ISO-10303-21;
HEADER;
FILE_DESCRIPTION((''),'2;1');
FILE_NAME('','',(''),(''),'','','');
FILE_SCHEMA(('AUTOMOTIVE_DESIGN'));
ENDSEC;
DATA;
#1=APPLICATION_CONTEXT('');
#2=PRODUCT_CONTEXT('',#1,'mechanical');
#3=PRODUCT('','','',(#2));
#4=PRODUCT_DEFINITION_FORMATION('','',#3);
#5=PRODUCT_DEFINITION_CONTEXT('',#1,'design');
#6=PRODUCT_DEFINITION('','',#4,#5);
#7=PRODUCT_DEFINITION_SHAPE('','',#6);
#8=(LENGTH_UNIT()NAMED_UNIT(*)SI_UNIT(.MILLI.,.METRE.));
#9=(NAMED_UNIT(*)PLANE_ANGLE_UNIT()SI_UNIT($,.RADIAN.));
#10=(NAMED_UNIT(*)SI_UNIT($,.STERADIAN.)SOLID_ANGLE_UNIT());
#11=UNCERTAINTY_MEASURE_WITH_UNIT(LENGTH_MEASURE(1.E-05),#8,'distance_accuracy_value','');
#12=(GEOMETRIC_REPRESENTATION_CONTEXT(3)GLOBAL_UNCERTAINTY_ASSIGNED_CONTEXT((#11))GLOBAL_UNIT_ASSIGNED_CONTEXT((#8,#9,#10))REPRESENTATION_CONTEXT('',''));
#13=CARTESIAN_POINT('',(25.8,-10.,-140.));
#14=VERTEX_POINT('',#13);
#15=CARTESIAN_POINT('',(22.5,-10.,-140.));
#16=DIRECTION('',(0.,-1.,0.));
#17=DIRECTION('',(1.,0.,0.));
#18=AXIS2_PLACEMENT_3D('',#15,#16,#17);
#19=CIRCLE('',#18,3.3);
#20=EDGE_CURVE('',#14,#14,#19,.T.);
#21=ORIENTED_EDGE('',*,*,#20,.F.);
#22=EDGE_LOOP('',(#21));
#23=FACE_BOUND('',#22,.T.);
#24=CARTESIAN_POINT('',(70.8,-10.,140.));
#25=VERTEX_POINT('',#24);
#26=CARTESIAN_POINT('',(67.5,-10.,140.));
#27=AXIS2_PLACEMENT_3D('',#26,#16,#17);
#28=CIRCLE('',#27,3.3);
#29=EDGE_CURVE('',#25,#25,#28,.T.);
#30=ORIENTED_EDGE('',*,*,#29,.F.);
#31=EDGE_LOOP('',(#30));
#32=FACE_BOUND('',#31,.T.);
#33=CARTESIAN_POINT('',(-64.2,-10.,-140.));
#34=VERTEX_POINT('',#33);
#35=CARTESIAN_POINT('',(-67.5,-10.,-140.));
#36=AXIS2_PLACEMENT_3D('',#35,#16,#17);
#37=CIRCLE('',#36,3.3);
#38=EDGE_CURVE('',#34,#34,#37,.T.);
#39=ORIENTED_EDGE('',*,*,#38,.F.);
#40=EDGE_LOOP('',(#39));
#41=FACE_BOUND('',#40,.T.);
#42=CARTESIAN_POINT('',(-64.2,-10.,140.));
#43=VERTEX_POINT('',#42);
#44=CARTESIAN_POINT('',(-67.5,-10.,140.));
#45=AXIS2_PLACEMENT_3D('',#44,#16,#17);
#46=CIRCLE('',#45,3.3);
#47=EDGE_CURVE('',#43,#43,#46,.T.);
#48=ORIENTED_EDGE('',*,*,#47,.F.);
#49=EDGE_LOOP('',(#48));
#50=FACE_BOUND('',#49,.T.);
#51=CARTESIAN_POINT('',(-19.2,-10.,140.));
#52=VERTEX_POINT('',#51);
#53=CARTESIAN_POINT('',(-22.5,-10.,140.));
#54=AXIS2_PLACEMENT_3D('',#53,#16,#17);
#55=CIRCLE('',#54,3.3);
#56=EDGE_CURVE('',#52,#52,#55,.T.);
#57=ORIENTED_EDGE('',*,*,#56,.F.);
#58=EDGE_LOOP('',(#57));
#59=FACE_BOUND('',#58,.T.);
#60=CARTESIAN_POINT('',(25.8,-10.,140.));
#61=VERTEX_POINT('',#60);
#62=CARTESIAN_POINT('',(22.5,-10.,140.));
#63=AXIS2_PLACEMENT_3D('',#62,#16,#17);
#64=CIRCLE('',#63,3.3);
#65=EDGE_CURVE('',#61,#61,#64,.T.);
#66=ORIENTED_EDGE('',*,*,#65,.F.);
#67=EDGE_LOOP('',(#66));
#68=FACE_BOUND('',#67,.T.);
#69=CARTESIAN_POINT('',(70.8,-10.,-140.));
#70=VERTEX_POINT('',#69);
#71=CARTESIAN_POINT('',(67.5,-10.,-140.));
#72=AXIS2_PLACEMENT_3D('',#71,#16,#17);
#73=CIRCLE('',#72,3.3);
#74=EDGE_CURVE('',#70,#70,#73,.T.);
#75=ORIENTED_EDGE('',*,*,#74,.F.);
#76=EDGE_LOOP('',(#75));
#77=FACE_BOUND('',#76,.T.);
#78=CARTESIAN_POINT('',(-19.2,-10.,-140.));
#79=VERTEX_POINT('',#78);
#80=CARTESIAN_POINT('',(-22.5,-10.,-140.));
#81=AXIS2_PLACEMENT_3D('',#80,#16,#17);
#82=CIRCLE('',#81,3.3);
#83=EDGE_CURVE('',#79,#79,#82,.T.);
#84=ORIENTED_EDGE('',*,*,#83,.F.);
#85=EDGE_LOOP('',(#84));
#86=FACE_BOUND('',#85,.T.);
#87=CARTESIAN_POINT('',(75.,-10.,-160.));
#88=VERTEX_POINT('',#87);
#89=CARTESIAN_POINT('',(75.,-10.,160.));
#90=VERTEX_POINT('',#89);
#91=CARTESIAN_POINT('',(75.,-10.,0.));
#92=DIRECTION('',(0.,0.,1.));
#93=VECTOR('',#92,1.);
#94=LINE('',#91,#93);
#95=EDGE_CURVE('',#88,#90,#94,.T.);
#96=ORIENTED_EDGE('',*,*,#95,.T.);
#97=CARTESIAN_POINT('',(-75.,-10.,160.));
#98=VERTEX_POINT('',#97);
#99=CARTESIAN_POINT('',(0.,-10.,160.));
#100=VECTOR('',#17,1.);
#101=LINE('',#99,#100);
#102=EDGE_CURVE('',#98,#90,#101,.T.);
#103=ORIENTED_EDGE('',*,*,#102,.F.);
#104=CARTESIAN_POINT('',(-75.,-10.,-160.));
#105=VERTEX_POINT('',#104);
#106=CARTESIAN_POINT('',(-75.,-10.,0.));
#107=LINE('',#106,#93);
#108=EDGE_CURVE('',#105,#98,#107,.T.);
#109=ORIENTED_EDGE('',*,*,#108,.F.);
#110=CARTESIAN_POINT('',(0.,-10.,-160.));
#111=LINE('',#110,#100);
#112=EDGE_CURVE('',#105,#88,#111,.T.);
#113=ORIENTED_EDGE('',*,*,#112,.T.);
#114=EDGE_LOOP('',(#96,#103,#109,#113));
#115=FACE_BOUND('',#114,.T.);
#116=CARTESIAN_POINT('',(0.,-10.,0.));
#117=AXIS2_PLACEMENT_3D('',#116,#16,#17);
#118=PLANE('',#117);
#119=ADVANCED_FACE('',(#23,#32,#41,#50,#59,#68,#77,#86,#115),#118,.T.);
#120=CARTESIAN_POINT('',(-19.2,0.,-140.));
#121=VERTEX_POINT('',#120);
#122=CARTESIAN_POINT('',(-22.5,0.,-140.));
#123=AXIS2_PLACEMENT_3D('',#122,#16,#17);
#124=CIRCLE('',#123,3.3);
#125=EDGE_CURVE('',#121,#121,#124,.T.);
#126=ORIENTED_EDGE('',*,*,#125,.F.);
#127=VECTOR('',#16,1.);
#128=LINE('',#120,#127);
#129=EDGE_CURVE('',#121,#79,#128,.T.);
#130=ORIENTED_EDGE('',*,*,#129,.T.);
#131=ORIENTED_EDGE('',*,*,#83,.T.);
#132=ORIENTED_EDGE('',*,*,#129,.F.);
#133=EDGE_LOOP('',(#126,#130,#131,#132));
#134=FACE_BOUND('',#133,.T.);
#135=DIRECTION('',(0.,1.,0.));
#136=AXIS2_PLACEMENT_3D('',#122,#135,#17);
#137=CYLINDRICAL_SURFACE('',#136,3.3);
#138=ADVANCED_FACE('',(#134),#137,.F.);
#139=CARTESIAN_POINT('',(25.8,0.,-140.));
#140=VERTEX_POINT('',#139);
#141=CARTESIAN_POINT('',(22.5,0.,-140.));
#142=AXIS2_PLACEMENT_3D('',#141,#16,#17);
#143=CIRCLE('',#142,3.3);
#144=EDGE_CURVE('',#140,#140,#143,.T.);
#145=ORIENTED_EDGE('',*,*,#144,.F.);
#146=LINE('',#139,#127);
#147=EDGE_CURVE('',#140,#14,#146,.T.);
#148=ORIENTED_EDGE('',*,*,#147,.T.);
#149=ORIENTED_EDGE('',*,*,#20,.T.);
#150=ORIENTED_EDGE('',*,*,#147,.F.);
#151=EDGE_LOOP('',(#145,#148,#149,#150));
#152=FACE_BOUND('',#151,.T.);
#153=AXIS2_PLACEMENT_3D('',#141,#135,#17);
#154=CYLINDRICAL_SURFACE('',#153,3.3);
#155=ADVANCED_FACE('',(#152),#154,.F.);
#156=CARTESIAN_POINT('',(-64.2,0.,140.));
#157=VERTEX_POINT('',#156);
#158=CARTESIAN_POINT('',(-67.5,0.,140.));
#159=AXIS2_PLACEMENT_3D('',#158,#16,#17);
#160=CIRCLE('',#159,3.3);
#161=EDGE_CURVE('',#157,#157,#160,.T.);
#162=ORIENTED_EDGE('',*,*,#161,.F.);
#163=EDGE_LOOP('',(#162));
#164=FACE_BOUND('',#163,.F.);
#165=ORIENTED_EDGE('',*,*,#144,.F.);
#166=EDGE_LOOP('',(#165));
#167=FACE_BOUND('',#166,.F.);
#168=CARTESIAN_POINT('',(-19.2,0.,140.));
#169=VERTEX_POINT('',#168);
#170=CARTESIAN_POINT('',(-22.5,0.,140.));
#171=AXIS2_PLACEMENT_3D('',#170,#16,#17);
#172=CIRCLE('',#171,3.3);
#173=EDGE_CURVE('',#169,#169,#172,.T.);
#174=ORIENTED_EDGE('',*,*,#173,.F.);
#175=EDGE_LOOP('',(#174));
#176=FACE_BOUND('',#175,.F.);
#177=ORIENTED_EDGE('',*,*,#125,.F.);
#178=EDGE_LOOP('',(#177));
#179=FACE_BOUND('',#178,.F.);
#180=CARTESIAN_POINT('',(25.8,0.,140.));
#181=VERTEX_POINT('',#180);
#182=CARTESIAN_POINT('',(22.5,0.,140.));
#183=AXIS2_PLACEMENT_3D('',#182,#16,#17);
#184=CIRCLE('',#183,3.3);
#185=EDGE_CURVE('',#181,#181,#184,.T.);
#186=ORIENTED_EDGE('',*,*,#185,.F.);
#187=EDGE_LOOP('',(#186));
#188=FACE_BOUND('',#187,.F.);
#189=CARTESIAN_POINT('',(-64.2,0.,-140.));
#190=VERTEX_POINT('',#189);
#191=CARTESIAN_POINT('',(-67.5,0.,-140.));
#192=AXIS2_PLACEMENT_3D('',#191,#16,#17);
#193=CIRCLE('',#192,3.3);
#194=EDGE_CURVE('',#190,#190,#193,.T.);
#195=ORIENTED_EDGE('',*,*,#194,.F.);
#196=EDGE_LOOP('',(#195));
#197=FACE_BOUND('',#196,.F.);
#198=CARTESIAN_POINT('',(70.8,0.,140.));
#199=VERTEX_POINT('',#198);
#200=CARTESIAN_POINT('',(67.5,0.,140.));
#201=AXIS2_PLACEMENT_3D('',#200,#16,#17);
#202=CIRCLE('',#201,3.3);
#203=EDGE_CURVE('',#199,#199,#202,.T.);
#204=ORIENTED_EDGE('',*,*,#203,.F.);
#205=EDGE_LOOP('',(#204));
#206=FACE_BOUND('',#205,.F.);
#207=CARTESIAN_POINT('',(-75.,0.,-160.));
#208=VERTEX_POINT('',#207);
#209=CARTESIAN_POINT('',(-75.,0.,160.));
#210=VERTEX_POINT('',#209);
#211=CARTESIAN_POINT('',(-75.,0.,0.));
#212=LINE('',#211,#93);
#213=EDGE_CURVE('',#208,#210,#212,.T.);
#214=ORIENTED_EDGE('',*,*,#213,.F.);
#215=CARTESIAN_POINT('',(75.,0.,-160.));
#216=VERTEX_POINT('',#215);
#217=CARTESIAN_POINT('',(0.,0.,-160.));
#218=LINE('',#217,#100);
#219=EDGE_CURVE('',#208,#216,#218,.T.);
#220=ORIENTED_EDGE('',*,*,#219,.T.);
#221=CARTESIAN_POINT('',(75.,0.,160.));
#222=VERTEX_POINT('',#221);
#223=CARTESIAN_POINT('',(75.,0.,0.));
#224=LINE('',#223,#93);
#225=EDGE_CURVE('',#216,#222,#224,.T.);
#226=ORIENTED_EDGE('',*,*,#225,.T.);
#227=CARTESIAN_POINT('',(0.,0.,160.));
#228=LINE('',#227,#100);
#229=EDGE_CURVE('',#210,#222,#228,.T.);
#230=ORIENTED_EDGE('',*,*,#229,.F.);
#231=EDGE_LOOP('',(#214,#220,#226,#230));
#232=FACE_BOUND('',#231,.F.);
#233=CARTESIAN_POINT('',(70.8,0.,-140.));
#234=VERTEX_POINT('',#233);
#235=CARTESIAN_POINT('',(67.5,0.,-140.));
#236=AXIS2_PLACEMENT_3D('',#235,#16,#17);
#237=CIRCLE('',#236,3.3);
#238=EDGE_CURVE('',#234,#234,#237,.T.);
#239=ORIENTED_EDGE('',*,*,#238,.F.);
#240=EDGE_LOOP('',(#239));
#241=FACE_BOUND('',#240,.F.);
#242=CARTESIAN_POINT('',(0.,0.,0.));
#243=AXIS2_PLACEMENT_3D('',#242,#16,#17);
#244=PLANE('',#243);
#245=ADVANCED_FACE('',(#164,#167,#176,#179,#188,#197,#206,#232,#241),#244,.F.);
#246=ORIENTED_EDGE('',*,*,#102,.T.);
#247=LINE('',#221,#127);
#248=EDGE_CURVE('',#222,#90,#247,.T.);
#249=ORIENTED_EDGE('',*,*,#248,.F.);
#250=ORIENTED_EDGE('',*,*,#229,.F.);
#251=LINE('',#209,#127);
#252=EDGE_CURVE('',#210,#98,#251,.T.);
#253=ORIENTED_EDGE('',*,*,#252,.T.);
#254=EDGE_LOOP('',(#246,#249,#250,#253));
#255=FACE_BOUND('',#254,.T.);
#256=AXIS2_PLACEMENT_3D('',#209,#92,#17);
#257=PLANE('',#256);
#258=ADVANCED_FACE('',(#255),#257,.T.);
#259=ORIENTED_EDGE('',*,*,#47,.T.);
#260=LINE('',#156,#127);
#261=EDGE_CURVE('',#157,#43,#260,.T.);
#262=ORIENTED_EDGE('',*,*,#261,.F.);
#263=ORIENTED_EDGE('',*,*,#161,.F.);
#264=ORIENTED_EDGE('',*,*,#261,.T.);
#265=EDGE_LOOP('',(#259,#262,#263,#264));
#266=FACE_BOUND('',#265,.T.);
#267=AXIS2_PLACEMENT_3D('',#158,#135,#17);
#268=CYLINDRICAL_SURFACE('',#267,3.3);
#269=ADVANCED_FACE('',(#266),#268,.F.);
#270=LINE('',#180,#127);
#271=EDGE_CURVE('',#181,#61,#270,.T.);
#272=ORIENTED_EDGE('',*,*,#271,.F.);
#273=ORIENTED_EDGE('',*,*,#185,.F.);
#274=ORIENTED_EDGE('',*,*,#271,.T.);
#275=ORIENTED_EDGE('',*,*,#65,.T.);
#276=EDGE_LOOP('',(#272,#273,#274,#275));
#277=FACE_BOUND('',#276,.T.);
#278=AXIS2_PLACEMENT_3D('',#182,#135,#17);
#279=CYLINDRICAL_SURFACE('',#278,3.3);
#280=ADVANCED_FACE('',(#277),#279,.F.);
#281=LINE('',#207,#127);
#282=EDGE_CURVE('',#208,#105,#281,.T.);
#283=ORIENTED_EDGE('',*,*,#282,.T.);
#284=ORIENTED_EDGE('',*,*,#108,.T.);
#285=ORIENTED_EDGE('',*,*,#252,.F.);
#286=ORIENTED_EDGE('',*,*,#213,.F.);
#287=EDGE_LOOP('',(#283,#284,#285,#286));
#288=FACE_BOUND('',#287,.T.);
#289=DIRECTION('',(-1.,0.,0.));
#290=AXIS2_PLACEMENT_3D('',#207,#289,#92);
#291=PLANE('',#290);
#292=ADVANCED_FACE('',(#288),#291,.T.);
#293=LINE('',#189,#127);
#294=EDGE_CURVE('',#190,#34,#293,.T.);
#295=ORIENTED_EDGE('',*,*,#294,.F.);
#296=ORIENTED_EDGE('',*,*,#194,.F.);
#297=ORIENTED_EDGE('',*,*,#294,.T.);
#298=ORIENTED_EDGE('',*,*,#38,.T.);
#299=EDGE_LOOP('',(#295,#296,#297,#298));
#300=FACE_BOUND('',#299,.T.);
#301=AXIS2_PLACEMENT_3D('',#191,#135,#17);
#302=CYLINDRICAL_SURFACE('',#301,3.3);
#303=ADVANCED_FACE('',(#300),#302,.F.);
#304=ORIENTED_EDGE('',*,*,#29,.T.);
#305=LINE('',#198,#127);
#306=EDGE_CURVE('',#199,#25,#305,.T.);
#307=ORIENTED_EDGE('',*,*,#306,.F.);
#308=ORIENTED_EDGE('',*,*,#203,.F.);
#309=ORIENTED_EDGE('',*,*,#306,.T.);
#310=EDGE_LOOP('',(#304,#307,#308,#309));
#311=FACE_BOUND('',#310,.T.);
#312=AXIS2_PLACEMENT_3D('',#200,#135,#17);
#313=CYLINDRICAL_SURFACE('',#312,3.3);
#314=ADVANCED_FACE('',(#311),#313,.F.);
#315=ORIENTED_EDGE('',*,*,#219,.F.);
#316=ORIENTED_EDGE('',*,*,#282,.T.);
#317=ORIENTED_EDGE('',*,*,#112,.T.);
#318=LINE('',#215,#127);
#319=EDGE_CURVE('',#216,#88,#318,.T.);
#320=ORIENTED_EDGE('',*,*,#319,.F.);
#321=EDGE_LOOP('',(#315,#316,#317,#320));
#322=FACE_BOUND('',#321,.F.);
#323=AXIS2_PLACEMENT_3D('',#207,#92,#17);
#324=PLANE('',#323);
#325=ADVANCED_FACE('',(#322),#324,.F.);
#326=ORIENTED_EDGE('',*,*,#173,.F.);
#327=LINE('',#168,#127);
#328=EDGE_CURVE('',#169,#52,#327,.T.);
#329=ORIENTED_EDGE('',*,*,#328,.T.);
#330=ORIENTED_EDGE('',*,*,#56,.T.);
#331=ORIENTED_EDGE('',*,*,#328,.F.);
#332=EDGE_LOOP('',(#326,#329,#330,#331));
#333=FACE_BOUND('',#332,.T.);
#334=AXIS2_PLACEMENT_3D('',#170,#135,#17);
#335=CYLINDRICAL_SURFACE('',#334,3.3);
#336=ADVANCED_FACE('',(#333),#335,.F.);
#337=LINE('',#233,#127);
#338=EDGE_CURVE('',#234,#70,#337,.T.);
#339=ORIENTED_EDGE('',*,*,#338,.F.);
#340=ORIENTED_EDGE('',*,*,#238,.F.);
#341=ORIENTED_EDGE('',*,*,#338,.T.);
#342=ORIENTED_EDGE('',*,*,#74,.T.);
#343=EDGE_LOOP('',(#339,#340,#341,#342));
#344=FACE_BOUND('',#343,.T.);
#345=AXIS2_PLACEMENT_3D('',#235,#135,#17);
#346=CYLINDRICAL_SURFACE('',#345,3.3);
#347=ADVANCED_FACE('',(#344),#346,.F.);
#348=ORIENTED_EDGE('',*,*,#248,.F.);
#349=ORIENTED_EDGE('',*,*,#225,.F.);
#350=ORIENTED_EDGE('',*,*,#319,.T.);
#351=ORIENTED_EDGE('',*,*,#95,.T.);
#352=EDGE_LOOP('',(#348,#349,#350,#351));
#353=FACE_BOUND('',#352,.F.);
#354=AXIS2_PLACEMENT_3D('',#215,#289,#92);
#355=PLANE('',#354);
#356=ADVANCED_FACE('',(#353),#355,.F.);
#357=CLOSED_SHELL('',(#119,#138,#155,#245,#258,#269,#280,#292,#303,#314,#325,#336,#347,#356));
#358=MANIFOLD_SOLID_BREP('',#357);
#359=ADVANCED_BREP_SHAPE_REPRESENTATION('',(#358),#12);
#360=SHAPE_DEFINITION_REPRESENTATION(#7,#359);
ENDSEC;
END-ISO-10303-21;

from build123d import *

# Parameters (mm, degrees)
F0_W     = 150
F0_H     = 320
F0_R     = 3.3
F1_DEPTH = 10


with BuildPart() as f1:
    # F0 (on Front) → F1 (new body)
    with BuildSketch(Plane.XZ):
        Rectangle(F0_W, F0_H)
        with Locations((-67.5, -140)):
            Circle(F0_R, mode=Mode.SUBTRACT)
        with Locations((-22.5, -140)):
            Circle(F0_R, mode=Mode.SUBTRACT)
        with Locations((22.5, -140)):
            Circle(F0_R, mode=Mode.SUBTRACT)
        with Locations((67.5, -140)):
            Circle(F0_R, mode=Mode.SUBTRACT)
        with Locations((-67.5, 140)):
            Circle(F0_R, mode=Mode.SUBTRACT)
        with Locations((-22.5, 140)):
            Circle(F0_R, mode=Mode.SUBTRACT)
        with Locations((22.5, 140)):
            Circle(F0_R, mode=Mode.SUBTRACT)
        with Locations((67.5, 140)):
            Circle(F0_R, mode=Mode.SUBTRACT)
    extrude(amount=F1_DEPTH)


solid = f1.part
